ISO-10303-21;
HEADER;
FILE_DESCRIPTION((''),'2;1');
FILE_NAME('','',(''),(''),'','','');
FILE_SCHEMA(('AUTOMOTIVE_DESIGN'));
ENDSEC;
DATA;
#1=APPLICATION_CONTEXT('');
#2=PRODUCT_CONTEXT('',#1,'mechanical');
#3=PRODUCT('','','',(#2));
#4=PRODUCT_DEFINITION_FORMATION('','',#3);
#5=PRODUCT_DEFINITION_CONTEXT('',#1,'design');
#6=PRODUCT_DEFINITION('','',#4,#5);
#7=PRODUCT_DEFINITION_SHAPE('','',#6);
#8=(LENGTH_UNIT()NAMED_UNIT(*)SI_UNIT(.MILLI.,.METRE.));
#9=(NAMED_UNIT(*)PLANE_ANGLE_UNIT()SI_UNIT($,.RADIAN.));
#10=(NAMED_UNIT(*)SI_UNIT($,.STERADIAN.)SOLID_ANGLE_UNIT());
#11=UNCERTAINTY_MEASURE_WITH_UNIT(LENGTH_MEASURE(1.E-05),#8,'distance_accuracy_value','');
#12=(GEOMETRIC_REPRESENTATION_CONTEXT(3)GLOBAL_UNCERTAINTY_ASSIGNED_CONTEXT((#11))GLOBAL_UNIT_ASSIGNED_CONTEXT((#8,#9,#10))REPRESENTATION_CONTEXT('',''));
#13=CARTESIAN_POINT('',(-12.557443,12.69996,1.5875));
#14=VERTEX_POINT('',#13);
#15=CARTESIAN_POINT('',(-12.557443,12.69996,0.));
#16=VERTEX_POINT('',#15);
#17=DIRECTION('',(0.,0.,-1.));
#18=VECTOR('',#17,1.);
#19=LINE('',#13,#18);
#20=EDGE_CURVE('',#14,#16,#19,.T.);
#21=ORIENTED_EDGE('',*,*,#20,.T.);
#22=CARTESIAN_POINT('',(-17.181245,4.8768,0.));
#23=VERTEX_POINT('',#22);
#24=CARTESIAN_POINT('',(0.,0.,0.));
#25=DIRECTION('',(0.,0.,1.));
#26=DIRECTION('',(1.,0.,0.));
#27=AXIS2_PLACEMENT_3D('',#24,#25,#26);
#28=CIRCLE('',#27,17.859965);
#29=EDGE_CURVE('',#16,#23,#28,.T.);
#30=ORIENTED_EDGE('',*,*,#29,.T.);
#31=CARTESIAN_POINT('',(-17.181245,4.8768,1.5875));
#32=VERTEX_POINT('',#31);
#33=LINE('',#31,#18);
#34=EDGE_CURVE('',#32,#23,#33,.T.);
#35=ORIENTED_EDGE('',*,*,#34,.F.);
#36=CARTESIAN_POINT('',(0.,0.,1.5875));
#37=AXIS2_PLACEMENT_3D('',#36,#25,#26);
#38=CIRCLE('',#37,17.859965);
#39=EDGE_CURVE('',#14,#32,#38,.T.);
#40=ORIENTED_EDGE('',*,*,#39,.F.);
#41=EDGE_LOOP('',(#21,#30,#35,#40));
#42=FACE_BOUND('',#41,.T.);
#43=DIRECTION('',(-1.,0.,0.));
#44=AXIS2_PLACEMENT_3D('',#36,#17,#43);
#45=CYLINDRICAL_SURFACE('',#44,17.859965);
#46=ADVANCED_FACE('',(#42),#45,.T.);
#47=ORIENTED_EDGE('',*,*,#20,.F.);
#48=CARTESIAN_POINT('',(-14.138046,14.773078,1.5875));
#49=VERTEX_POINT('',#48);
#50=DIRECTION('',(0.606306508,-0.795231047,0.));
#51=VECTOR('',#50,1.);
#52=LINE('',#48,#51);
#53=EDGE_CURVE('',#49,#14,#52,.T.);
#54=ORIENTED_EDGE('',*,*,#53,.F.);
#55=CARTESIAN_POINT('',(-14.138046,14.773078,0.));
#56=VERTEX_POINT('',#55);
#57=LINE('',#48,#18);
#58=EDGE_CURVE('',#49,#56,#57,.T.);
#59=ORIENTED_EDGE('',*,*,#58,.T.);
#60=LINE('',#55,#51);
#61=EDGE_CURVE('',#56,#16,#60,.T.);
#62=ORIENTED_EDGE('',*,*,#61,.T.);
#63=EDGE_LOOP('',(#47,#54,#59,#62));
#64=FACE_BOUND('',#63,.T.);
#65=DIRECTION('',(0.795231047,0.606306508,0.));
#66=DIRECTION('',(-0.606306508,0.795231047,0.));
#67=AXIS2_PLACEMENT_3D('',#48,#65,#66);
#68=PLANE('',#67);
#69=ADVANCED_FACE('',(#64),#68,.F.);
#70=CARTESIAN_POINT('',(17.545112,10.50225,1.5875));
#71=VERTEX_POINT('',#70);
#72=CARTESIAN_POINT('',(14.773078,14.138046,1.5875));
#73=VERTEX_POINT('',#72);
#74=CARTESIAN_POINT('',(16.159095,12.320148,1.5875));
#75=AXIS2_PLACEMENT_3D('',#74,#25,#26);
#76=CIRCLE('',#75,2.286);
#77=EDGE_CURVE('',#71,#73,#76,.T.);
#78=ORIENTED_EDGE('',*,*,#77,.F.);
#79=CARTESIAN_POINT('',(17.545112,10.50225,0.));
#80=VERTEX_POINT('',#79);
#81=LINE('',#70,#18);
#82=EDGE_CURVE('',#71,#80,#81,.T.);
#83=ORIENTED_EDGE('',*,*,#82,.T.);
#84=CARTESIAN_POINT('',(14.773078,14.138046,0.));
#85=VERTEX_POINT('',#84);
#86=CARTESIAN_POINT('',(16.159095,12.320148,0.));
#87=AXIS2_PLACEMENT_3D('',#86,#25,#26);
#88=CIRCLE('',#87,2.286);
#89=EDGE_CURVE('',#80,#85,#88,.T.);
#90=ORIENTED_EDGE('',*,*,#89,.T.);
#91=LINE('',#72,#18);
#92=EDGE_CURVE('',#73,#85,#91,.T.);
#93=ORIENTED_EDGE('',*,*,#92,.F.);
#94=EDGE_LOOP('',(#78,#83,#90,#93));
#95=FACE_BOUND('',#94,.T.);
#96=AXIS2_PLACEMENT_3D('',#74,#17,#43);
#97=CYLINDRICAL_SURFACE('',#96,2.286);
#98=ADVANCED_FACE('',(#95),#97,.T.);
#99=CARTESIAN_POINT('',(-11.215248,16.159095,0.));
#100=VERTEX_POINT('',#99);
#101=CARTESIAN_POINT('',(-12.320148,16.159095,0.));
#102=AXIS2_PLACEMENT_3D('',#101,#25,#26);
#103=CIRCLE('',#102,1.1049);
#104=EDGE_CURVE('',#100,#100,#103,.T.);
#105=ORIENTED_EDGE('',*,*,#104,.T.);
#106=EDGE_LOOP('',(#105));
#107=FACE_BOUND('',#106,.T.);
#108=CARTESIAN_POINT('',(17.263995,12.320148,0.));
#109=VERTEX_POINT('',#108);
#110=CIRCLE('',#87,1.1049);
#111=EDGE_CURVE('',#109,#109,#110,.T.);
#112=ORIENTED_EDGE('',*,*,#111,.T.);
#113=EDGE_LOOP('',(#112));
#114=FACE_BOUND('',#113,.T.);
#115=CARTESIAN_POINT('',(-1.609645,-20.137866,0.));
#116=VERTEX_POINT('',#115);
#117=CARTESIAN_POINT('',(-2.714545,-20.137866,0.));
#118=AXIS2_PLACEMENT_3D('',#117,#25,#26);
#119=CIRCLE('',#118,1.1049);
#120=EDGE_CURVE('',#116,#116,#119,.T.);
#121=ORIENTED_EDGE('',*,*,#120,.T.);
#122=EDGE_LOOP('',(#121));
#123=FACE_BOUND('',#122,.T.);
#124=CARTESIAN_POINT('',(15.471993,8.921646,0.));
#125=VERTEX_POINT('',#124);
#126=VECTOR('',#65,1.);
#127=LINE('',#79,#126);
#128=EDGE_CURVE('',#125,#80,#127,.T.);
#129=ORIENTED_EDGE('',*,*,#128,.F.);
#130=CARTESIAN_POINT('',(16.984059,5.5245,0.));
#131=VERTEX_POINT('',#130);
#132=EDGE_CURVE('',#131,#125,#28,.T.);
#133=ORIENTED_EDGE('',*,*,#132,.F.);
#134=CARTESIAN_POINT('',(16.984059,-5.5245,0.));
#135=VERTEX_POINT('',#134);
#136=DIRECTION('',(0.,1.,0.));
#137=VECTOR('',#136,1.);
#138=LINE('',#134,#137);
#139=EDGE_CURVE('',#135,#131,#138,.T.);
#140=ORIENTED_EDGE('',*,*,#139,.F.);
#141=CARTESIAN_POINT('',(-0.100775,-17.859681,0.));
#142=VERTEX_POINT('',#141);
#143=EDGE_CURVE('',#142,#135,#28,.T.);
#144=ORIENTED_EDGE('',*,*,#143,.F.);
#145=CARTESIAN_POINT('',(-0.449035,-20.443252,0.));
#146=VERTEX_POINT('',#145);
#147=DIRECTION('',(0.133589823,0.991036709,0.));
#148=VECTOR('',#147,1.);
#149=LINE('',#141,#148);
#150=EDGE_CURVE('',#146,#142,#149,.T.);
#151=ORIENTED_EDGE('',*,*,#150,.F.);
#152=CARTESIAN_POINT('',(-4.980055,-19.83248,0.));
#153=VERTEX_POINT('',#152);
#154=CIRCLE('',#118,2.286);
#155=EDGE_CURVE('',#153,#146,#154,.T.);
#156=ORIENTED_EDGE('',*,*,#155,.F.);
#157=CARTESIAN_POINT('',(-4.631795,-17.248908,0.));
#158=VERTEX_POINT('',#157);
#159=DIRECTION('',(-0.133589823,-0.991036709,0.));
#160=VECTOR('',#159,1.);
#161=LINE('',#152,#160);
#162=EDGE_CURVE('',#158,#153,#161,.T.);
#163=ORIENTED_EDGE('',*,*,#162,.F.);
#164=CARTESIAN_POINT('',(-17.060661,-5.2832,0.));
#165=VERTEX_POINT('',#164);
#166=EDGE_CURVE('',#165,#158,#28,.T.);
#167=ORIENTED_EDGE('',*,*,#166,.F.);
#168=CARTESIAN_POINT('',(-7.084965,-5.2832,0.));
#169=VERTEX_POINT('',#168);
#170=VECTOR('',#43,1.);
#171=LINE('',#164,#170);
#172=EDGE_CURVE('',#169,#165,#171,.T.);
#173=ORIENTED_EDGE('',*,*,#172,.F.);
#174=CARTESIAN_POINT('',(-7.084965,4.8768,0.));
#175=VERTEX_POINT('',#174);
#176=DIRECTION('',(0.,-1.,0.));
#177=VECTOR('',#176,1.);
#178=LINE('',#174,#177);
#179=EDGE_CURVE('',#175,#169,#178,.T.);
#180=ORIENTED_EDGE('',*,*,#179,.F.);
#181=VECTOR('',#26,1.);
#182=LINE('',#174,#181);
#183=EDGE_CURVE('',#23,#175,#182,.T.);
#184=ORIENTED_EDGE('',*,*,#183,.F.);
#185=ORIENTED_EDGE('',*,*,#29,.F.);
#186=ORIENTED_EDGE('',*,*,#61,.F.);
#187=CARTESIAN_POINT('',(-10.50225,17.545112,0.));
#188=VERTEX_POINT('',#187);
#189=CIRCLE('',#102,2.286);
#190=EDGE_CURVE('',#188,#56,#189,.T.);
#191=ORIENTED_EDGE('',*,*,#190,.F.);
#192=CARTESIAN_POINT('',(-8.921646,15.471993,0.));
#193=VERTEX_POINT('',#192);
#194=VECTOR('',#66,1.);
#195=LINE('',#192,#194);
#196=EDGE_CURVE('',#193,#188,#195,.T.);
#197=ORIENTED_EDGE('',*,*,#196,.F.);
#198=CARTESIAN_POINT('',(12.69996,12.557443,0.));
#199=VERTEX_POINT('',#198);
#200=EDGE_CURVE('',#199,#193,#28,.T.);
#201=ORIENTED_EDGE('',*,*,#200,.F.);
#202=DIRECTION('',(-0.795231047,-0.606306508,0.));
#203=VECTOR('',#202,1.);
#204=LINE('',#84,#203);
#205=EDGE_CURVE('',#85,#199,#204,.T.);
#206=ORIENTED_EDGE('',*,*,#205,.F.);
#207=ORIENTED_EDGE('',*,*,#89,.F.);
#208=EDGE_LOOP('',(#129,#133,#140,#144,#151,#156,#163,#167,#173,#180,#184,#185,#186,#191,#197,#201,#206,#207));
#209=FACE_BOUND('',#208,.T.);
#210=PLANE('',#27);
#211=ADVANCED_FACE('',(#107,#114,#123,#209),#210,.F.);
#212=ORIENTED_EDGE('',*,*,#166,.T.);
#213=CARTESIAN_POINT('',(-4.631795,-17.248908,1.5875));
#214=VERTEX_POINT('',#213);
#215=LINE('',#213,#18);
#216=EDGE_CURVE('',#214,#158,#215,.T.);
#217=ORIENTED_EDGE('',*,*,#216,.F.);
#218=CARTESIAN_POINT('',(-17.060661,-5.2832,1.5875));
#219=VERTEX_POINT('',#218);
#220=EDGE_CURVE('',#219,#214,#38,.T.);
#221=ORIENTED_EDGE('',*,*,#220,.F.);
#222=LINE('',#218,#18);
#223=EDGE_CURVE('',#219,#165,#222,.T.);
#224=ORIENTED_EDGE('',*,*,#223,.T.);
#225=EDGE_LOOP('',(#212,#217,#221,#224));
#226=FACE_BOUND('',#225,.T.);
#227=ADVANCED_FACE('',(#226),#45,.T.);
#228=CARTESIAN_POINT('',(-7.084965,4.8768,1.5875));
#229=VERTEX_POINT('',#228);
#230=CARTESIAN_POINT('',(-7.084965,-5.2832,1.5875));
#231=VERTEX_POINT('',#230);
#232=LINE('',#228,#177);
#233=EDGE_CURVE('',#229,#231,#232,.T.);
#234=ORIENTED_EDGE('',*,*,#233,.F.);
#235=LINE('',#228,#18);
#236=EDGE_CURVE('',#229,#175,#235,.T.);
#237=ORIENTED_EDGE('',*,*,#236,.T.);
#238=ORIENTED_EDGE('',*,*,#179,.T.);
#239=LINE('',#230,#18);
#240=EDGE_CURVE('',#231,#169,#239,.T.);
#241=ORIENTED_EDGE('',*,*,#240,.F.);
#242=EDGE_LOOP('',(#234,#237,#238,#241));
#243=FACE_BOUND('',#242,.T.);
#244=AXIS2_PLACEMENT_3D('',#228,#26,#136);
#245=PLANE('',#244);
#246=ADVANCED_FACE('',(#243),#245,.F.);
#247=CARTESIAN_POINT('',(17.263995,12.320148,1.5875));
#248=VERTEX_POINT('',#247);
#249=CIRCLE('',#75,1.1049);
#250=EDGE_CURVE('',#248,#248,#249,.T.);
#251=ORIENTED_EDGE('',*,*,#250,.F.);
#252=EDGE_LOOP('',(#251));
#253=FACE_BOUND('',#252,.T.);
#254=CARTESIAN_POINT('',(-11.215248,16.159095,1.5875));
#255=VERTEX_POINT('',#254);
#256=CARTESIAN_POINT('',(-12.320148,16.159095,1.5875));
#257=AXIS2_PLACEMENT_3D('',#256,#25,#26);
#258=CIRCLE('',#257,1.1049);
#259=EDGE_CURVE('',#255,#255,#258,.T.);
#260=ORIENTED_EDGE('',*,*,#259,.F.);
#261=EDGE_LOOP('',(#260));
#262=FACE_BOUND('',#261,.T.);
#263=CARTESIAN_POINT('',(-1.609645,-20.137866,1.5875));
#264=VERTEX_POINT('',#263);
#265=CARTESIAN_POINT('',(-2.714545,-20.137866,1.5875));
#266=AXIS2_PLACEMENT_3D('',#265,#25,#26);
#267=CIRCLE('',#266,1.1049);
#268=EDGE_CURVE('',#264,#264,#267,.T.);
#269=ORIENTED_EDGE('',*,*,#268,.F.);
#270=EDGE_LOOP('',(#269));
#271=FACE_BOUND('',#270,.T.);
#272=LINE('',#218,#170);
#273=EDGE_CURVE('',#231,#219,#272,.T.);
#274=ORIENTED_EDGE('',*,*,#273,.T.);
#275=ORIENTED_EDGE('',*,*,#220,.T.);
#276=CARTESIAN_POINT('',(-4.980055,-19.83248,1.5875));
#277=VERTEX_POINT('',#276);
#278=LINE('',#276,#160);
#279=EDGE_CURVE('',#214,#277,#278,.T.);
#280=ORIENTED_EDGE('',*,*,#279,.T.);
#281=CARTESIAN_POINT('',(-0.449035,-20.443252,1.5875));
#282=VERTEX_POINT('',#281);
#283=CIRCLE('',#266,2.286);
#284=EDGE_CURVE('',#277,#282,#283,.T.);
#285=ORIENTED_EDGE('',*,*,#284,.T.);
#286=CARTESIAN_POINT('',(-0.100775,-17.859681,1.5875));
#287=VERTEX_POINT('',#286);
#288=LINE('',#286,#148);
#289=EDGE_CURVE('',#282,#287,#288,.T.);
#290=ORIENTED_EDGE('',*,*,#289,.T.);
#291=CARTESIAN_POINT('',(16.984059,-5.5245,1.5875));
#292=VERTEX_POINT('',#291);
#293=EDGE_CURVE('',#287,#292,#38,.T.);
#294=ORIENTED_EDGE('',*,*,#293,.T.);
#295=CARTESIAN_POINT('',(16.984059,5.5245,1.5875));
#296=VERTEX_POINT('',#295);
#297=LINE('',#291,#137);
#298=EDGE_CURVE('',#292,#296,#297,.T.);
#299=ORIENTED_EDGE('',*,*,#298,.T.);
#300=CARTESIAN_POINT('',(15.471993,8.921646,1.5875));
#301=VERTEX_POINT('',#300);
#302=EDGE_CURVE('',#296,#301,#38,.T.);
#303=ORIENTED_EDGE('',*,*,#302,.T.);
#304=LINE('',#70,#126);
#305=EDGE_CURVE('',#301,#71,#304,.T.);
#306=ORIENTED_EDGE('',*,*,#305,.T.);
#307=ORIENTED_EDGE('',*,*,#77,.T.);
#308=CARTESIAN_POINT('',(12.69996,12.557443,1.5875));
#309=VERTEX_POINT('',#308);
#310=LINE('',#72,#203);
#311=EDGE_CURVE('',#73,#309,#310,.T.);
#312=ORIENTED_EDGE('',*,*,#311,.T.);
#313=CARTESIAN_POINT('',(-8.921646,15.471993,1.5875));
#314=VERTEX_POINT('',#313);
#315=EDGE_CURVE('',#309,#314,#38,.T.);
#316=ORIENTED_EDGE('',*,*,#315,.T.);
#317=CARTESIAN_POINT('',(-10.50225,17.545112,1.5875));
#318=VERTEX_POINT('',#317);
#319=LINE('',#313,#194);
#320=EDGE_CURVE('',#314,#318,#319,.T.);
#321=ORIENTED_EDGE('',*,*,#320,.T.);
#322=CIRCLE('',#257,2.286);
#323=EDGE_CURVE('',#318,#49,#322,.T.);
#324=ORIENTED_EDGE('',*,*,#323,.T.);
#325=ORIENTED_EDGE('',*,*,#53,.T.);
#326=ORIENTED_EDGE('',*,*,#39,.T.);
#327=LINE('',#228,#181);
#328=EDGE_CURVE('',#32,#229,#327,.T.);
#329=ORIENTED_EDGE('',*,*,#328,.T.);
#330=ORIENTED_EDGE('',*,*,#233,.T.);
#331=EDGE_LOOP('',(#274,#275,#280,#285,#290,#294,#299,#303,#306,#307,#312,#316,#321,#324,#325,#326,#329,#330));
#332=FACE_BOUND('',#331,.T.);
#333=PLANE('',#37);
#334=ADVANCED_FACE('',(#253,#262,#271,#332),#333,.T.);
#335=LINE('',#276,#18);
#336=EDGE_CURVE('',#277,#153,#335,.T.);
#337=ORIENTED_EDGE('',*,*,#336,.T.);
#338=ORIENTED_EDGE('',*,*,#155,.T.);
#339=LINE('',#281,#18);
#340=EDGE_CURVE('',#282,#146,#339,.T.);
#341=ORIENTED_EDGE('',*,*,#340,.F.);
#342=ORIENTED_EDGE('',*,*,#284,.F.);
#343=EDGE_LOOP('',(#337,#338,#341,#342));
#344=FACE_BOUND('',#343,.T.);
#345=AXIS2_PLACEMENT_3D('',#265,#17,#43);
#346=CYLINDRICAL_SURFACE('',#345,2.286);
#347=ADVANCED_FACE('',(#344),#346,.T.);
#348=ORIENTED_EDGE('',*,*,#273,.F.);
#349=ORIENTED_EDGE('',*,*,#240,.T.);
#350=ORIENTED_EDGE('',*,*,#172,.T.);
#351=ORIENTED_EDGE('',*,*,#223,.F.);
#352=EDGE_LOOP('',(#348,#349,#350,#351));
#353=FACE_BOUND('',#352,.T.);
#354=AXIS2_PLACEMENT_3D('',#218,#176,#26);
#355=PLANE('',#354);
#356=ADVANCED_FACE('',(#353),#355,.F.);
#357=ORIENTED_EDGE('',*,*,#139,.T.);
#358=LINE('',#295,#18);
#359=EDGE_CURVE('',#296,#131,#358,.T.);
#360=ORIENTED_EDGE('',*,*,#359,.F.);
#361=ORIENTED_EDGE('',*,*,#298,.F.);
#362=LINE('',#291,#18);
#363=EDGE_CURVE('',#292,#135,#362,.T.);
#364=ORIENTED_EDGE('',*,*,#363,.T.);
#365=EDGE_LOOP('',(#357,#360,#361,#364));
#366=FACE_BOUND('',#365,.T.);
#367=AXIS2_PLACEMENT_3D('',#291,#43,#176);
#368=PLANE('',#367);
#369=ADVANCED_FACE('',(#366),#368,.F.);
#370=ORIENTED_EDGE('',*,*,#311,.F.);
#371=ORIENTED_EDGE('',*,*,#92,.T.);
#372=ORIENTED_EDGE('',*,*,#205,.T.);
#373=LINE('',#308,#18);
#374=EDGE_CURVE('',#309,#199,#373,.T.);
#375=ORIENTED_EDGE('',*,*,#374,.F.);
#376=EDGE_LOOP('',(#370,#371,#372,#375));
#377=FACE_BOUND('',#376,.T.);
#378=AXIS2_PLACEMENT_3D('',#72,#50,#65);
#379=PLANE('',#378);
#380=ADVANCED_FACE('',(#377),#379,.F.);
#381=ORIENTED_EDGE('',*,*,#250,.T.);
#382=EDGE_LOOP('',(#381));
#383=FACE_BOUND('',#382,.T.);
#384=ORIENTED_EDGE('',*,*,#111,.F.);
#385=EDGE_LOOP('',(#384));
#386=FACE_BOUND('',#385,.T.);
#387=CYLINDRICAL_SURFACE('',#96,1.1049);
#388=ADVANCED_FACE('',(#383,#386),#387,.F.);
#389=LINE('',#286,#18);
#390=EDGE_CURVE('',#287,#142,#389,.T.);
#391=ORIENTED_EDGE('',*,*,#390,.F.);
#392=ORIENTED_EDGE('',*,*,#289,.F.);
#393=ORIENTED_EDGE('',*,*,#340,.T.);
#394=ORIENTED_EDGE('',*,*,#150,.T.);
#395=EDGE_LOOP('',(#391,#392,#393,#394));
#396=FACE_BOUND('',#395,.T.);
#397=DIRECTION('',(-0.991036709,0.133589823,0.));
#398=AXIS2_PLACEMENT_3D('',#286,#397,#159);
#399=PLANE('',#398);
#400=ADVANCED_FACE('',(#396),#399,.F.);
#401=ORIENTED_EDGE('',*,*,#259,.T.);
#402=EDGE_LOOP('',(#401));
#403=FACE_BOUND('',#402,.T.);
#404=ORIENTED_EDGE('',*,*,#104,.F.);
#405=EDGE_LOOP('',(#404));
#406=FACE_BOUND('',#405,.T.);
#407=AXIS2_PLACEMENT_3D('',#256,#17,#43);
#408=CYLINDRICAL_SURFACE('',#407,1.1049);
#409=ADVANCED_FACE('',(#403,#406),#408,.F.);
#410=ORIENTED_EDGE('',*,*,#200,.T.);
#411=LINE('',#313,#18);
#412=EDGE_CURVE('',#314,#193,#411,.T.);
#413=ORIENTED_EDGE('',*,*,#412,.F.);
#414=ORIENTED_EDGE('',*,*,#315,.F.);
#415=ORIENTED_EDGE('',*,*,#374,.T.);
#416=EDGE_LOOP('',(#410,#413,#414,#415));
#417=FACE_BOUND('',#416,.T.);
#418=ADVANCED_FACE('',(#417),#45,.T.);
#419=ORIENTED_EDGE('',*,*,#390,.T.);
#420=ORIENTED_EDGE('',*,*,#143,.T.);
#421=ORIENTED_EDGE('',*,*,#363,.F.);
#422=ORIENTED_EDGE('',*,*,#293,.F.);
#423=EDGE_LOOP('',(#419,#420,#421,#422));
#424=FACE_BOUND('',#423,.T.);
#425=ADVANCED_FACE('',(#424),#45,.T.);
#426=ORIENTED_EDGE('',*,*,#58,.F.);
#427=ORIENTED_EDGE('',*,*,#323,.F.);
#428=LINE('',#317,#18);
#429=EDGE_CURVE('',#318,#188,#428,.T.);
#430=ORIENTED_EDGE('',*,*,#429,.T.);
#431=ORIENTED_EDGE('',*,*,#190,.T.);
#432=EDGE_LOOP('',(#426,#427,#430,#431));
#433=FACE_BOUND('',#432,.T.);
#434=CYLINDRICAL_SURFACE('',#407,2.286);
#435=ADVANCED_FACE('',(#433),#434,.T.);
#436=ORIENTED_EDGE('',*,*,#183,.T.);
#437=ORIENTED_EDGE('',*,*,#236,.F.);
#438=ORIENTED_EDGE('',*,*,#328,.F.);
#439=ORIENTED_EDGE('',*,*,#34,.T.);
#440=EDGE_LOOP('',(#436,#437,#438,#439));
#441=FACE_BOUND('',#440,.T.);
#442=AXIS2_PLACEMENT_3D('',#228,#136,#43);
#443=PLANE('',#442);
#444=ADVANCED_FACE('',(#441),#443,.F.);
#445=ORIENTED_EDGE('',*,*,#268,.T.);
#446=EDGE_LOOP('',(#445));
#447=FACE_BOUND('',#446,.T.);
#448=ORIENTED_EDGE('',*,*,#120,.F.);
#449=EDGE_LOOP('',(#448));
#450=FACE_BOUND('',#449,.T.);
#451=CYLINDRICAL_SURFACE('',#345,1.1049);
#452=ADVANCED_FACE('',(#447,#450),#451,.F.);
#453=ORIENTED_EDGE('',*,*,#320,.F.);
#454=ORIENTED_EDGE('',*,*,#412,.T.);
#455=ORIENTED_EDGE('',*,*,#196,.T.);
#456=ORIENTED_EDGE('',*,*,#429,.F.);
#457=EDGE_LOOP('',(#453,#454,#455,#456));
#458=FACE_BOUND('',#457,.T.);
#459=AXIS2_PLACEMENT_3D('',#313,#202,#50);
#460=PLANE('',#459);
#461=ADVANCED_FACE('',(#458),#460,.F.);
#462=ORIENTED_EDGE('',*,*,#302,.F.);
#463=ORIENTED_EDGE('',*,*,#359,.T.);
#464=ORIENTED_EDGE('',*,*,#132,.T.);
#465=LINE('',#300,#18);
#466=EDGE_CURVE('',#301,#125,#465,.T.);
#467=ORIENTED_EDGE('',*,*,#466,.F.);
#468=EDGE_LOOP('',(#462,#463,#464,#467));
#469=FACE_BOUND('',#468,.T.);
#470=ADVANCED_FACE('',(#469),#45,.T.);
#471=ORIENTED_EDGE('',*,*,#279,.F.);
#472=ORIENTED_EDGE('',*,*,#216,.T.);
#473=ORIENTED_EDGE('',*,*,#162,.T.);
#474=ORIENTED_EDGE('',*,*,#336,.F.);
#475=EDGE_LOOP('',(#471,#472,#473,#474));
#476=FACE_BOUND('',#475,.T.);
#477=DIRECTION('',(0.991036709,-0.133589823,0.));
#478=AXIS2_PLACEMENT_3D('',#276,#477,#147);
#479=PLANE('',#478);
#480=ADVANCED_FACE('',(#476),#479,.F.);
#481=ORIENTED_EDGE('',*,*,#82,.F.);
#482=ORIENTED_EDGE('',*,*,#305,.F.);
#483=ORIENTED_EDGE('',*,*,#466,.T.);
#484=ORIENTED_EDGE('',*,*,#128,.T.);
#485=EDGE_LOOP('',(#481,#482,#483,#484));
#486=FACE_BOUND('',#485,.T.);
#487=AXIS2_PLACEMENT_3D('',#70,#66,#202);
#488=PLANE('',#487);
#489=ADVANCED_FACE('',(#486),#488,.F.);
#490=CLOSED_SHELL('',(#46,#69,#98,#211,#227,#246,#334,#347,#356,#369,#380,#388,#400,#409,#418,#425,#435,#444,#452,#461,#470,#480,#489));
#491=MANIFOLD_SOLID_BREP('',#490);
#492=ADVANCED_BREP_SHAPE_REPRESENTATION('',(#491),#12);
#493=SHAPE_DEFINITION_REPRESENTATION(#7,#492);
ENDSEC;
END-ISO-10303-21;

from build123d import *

# Parameters (mm, degrees)
SKETCH1_R           = 1.1049
BOSS_EXTRUDE1_DEPTH = 1.5875


with BuildPart() as part:
    # Sketch1 → Boss-Extrude1 (new body)
    with BuildSketch(Plane.XY):
        with BuildLine():
            Line((-7.084965338, 4.8768), (-17.181244816, 4.8768))
            ThreePointArc((-17.181244816, 4.8768), (-15.375234721, 9.087381854), (-12.557442768, 12.699959952))
            Line((-12.557442768, 12.699959952), (-14.138046409, 14.773078207))
            ThreePointArc((-14.138046409, 14.773078207), (-13.706164911, 17.976993058), (-10.502250061, 17.54511156))
            Line((-10.502250061, 17.54511156), (-8.92164642, 15.471993305))
            ThreePointArc((-8.92164642, 15.471993305), (2.385909574, 17.699880993), (12.699959952, 12.557442768))
            Line((12.699959952, 12.557442768), (14.773078207, 14.138046409))
            ThreePointArc((14.773078207, 14.138046409), (17.976993058, 13.706164911), (17.54511156, 10.502250061))
            Line((17.54511156, 10.502250061), (15.471993305, 8.92164642))
            ThreePointArc((15.471993305, 8.92164642), (16.316677959, 7.26253207), (16.984058744, 5.5245))
            Line((16.984058744, 5.5245), (16.984058744, -5.5245))
            ThreePointArc((16.984058744, -5.5245), (10.454687446, -14.480257667), (-0.100774867, -17.859680739))
            Line((-0.100774867, -17.859680739), (-0.449035291, -20.443252268))
            ThreePointArc((-0.449035291, -20.443252268), (-3.019931544, -22.40337585), (-4.980055125, -19.832479597))
            Line((-4.980055125, -19.832479597), (-4.631794702, -17.248908067))
            ThreePointArc((-4.631794702, -17.248908067), (-12.386896286, -12.866357374), (-17.060660873, -5.2832))
            Line((-17.060660873, -5.2832), (-7.084965338, -5.2832))
            Line((-7.084965338, -5.2832), (-7.084965338, 4.8768))
        make_face()
        with Locations((-2.714545208, -20.137865932)):
            Circle(SKETCH1_R, mode=Mode.SUBTRACT)
        with Locations((-12.320148235, 16.159094884)):
            Circle(SKETCH1_R, mode=Mode.SUBTRACT)
        with Locations((16.159094884, 12.320148235)):
            Circle(SKETCH1_R, mode=Mode.SUBTRACT)
    extrude(amount=BOSS_EXTRUDE1_DEPTH)


solid = part.part
